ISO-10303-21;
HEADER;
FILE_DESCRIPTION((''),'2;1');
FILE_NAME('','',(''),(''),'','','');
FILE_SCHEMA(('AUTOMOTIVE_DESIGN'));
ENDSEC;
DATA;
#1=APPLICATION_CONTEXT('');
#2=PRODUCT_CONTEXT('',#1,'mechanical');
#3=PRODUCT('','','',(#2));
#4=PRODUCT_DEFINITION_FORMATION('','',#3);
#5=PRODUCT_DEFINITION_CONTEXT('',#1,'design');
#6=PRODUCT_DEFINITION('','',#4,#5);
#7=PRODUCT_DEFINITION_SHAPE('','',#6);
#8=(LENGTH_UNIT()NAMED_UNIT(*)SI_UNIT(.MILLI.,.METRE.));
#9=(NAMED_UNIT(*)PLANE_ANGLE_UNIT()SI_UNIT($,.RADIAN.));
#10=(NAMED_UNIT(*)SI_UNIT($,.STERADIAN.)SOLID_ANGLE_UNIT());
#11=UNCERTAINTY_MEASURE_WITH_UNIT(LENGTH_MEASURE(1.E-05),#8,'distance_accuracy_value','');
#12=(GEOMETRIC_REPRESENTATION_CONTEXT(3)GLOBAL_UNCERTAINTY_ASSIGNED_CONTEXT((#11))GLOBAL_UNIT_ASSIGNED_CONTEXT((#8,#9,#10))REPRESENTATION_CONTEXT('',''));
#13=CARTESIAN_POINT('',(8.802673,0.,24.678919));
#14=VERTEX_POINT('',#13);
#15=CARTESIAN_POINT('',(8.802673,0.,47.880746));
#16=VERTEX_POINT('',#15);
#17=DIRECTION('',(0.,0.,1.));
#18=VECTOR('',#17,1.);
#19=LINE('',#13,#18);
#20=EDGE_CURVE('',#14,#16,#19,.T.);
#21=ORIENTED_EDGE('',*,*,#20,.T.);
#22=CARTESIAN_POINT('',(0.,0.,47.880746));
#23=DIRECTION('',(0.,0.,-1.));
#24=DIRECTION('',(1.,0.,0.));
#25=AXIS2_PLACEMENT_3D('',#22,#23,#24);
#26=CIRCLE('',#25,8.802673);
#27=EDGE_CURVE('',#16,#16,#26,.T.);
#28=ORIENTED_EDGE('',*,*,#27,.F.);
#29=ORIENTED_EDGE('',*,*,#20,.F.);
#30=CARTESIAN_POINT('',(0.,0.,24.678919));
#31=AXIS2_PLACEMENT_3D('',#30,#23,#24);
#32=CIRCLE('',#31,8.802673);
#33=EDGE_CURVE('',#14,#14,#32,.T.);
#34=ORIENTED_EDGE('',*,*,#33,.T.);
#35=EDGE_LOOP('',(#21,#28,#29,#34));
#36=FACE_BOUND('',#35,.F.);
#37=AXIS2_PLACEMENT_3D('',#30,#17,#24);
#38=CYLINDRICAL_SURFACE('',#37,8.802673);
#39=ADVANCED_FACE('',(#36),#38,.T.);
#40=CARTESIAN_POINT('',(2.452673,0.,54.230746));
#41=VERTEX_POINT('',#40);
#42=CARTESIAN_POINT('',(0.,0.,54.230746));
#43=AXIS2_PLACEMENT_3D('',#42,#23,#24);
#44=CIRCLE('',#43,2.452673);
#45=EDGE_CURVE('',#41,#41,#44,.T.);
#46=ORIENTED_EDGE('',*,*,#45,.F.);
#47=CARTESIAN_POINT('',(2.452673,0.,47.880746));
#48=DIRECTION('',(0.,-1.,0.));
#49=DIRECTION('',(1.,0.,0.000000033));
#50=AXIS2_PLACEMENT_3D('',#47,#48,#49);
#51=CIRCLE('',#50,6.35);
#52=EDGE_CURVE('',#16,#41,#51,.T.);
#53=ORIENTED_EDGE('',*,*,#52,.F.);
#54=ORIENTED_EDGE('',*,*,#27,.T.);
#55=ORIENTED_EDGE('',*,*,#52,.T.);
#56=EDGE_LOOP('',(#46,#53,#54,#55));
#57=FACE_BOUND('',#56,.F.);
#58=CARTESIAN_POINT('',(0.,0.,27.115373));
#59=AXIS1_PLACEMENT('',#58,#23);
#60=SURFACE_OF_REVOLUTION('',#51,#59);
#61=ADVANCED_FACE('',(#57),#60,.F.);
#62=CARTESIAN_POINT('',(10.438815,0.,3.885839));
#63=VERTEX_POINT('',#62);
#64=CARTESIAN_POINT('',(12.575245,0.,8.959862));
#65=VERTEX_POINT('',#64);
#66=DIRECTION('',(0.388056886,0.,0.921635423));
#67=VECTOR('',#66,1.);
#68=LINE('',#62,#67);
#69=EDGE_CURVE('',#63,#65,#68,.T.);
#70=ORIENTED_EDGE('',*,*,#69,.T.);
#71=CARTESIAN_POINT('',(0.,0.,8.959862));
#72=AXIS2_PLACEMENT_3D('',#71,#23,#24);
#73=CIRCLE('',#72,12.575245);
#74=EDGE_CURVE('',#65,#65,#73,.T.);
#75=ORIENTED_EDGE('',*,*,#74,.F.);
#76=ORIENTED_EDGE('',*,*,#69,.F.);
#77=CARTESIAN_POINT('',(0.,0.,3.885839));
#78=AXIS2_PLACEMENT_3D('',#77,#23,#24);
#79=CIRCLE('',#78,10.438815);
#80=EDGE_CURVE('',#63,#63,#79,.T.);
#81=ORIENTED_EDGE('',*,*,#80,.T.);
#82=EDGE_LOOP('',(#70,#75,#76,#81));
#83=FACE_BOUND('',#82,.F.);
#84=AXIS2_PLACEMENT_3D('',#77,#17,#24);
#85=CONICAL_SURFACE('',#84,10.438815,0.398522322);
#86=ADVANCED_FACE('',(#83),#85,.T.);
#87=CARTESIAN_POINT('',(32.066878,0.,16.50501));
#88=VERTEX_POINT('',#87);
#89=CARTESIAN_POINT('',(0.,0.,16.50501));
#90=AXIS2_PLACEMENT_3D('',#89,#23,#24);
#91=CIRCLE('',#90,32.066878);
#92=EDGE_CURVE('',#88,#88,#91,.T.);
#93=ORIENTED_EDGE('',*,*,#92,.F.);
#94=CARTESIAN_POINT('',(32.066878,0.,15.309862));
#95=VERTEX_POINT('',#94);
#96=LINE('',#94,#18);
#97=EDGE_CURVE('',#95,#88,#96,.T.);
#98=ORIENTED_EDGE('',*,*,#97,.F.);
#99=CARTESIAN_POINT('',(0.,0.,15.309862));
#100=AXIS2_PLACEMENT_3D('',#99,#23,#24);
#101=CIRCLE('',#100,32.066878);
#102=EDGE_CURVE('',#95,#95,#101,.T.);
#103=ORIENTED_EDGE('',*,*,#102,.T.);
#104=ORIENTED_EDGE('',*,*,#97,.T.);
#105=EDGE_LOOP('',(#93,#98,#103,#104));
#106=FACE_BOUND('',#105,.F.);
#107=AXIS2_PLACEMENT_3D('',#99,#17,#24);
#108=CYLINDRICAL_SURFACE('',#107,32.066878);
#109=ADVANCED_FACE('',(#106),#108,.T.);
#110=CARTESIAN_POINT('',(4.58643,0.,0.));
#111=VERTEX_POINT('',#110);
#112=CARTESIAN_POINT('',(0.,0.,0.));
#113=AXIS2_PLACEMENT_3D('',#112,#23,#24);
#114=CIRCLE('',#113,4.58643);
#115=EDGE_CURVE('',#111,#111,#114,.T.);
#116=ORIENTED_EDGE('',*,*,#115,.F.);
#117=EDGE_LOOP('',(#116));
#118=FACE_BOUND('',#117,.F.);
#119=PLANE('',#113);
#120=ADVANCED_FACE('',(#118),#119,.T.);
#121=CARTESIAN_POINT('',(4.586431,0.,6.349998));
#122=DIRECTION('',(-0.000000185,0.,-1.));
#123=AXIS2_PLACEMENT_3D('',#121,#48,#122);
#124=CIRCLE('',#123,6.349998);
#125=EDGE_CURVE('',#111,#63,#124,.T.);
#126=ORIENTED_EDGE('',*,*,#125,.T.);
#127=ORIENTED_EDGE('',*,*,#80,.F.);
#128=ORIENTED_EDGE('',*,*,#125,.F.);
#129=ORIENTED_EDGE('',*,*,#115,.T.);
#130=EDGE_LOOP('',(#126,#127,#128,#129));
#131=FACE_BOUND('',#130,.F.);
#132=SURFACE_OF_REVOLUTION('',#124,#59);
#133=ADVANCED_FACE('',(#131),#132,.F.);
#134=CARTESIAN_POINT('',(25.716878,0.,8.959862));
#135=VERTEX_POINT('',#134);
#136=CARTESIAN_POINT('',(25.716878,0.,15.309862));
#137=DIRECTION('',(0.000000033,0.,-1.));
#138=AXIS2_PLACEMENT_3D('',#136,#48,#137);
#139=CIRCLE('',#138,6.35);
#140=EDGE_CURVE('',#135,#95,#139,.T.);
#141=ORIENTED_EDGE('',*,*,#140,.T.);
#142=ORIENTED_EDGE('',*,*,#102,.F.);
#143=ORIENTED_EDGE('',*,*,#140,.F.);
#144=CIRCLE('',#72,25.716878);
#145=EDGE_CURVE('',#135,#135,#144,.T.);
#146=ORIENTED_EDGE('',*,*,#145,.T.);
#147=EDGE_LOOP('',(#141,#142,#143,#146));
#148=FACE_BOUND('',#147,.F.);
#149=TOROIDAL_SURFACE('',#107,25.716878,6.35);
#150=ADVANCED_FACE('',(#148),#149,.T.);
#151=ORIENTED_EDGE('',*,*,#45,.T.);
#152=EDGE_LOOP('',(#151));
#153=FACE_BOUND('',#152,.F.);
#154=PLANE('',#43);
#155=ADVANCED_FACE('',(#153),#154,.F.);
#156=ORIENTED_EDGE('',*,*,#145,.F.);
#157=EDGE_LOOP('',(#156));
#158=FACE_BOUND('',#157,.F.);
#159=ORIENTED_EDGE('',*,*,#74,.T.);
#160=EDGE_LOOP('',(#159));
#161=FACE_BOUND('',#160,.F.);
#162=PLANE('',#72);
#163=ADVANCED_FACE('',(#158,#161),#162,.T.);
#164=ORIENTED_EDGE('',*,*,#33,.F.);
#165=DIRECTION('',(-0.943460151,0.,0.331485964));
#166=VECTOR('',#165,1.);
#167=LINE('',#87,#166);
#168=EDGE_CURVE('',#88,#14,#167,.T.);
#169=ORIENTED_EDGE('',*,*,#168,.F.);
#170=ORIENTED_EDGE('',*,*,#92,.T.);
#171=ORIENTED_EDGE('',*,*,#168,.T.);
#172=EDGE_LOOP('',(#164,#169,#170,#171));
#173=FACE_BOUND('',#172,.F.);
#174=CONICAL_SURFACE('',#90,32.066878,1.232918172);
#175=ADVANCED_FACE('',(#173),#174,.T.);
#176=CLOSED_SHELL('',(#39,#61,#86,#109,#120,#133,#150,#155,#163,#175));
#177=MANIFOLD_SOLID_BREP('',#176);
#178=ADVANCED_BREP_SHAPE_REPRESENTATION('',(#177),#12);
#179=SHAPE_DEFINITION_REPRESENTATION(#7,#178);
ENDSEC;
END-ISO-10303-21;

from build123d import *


with BuildPart() as f1:
    # F0 (on Front) → F1 (revolve)
    with BuildSketch(Plane.XZ):
        with BuildLine():
            Line((0, 54.230746), (0, 0))
            Line((0, 0), (4.58643, 0))
            ThreePointArc((4.58643, 0), (8.098913, 1.059918), (10.438815, 3.885839))
            Line((10.438815, 3.885839), (12.575245, 8.959862))
            Line((12.575245, 8.959862), (25.716878, 8.959862))
            ThreePointArc((25.716878, 8.959862), (30.207006, 10.819734), (32.066878, 15.309862))
            Line((32.066878, 15.309862), (32.066878, 16.50501))
            Line((32.066878, 16.50501), (8.802673, 24.678919))
            Line((8.802673, 24.678919), (8.802673, 47.880746))
            ThreePointArc((8.802673, 47.880746), (6.942801, 52.370874), (2.452673, 54.230746))
            Line((2.452673, 54.230746), (0, 54.230746))
        make_face()
    revolve(axis=Axis((0, 0, 27.115373), (0, 0, -1)))


solid = f1.part
